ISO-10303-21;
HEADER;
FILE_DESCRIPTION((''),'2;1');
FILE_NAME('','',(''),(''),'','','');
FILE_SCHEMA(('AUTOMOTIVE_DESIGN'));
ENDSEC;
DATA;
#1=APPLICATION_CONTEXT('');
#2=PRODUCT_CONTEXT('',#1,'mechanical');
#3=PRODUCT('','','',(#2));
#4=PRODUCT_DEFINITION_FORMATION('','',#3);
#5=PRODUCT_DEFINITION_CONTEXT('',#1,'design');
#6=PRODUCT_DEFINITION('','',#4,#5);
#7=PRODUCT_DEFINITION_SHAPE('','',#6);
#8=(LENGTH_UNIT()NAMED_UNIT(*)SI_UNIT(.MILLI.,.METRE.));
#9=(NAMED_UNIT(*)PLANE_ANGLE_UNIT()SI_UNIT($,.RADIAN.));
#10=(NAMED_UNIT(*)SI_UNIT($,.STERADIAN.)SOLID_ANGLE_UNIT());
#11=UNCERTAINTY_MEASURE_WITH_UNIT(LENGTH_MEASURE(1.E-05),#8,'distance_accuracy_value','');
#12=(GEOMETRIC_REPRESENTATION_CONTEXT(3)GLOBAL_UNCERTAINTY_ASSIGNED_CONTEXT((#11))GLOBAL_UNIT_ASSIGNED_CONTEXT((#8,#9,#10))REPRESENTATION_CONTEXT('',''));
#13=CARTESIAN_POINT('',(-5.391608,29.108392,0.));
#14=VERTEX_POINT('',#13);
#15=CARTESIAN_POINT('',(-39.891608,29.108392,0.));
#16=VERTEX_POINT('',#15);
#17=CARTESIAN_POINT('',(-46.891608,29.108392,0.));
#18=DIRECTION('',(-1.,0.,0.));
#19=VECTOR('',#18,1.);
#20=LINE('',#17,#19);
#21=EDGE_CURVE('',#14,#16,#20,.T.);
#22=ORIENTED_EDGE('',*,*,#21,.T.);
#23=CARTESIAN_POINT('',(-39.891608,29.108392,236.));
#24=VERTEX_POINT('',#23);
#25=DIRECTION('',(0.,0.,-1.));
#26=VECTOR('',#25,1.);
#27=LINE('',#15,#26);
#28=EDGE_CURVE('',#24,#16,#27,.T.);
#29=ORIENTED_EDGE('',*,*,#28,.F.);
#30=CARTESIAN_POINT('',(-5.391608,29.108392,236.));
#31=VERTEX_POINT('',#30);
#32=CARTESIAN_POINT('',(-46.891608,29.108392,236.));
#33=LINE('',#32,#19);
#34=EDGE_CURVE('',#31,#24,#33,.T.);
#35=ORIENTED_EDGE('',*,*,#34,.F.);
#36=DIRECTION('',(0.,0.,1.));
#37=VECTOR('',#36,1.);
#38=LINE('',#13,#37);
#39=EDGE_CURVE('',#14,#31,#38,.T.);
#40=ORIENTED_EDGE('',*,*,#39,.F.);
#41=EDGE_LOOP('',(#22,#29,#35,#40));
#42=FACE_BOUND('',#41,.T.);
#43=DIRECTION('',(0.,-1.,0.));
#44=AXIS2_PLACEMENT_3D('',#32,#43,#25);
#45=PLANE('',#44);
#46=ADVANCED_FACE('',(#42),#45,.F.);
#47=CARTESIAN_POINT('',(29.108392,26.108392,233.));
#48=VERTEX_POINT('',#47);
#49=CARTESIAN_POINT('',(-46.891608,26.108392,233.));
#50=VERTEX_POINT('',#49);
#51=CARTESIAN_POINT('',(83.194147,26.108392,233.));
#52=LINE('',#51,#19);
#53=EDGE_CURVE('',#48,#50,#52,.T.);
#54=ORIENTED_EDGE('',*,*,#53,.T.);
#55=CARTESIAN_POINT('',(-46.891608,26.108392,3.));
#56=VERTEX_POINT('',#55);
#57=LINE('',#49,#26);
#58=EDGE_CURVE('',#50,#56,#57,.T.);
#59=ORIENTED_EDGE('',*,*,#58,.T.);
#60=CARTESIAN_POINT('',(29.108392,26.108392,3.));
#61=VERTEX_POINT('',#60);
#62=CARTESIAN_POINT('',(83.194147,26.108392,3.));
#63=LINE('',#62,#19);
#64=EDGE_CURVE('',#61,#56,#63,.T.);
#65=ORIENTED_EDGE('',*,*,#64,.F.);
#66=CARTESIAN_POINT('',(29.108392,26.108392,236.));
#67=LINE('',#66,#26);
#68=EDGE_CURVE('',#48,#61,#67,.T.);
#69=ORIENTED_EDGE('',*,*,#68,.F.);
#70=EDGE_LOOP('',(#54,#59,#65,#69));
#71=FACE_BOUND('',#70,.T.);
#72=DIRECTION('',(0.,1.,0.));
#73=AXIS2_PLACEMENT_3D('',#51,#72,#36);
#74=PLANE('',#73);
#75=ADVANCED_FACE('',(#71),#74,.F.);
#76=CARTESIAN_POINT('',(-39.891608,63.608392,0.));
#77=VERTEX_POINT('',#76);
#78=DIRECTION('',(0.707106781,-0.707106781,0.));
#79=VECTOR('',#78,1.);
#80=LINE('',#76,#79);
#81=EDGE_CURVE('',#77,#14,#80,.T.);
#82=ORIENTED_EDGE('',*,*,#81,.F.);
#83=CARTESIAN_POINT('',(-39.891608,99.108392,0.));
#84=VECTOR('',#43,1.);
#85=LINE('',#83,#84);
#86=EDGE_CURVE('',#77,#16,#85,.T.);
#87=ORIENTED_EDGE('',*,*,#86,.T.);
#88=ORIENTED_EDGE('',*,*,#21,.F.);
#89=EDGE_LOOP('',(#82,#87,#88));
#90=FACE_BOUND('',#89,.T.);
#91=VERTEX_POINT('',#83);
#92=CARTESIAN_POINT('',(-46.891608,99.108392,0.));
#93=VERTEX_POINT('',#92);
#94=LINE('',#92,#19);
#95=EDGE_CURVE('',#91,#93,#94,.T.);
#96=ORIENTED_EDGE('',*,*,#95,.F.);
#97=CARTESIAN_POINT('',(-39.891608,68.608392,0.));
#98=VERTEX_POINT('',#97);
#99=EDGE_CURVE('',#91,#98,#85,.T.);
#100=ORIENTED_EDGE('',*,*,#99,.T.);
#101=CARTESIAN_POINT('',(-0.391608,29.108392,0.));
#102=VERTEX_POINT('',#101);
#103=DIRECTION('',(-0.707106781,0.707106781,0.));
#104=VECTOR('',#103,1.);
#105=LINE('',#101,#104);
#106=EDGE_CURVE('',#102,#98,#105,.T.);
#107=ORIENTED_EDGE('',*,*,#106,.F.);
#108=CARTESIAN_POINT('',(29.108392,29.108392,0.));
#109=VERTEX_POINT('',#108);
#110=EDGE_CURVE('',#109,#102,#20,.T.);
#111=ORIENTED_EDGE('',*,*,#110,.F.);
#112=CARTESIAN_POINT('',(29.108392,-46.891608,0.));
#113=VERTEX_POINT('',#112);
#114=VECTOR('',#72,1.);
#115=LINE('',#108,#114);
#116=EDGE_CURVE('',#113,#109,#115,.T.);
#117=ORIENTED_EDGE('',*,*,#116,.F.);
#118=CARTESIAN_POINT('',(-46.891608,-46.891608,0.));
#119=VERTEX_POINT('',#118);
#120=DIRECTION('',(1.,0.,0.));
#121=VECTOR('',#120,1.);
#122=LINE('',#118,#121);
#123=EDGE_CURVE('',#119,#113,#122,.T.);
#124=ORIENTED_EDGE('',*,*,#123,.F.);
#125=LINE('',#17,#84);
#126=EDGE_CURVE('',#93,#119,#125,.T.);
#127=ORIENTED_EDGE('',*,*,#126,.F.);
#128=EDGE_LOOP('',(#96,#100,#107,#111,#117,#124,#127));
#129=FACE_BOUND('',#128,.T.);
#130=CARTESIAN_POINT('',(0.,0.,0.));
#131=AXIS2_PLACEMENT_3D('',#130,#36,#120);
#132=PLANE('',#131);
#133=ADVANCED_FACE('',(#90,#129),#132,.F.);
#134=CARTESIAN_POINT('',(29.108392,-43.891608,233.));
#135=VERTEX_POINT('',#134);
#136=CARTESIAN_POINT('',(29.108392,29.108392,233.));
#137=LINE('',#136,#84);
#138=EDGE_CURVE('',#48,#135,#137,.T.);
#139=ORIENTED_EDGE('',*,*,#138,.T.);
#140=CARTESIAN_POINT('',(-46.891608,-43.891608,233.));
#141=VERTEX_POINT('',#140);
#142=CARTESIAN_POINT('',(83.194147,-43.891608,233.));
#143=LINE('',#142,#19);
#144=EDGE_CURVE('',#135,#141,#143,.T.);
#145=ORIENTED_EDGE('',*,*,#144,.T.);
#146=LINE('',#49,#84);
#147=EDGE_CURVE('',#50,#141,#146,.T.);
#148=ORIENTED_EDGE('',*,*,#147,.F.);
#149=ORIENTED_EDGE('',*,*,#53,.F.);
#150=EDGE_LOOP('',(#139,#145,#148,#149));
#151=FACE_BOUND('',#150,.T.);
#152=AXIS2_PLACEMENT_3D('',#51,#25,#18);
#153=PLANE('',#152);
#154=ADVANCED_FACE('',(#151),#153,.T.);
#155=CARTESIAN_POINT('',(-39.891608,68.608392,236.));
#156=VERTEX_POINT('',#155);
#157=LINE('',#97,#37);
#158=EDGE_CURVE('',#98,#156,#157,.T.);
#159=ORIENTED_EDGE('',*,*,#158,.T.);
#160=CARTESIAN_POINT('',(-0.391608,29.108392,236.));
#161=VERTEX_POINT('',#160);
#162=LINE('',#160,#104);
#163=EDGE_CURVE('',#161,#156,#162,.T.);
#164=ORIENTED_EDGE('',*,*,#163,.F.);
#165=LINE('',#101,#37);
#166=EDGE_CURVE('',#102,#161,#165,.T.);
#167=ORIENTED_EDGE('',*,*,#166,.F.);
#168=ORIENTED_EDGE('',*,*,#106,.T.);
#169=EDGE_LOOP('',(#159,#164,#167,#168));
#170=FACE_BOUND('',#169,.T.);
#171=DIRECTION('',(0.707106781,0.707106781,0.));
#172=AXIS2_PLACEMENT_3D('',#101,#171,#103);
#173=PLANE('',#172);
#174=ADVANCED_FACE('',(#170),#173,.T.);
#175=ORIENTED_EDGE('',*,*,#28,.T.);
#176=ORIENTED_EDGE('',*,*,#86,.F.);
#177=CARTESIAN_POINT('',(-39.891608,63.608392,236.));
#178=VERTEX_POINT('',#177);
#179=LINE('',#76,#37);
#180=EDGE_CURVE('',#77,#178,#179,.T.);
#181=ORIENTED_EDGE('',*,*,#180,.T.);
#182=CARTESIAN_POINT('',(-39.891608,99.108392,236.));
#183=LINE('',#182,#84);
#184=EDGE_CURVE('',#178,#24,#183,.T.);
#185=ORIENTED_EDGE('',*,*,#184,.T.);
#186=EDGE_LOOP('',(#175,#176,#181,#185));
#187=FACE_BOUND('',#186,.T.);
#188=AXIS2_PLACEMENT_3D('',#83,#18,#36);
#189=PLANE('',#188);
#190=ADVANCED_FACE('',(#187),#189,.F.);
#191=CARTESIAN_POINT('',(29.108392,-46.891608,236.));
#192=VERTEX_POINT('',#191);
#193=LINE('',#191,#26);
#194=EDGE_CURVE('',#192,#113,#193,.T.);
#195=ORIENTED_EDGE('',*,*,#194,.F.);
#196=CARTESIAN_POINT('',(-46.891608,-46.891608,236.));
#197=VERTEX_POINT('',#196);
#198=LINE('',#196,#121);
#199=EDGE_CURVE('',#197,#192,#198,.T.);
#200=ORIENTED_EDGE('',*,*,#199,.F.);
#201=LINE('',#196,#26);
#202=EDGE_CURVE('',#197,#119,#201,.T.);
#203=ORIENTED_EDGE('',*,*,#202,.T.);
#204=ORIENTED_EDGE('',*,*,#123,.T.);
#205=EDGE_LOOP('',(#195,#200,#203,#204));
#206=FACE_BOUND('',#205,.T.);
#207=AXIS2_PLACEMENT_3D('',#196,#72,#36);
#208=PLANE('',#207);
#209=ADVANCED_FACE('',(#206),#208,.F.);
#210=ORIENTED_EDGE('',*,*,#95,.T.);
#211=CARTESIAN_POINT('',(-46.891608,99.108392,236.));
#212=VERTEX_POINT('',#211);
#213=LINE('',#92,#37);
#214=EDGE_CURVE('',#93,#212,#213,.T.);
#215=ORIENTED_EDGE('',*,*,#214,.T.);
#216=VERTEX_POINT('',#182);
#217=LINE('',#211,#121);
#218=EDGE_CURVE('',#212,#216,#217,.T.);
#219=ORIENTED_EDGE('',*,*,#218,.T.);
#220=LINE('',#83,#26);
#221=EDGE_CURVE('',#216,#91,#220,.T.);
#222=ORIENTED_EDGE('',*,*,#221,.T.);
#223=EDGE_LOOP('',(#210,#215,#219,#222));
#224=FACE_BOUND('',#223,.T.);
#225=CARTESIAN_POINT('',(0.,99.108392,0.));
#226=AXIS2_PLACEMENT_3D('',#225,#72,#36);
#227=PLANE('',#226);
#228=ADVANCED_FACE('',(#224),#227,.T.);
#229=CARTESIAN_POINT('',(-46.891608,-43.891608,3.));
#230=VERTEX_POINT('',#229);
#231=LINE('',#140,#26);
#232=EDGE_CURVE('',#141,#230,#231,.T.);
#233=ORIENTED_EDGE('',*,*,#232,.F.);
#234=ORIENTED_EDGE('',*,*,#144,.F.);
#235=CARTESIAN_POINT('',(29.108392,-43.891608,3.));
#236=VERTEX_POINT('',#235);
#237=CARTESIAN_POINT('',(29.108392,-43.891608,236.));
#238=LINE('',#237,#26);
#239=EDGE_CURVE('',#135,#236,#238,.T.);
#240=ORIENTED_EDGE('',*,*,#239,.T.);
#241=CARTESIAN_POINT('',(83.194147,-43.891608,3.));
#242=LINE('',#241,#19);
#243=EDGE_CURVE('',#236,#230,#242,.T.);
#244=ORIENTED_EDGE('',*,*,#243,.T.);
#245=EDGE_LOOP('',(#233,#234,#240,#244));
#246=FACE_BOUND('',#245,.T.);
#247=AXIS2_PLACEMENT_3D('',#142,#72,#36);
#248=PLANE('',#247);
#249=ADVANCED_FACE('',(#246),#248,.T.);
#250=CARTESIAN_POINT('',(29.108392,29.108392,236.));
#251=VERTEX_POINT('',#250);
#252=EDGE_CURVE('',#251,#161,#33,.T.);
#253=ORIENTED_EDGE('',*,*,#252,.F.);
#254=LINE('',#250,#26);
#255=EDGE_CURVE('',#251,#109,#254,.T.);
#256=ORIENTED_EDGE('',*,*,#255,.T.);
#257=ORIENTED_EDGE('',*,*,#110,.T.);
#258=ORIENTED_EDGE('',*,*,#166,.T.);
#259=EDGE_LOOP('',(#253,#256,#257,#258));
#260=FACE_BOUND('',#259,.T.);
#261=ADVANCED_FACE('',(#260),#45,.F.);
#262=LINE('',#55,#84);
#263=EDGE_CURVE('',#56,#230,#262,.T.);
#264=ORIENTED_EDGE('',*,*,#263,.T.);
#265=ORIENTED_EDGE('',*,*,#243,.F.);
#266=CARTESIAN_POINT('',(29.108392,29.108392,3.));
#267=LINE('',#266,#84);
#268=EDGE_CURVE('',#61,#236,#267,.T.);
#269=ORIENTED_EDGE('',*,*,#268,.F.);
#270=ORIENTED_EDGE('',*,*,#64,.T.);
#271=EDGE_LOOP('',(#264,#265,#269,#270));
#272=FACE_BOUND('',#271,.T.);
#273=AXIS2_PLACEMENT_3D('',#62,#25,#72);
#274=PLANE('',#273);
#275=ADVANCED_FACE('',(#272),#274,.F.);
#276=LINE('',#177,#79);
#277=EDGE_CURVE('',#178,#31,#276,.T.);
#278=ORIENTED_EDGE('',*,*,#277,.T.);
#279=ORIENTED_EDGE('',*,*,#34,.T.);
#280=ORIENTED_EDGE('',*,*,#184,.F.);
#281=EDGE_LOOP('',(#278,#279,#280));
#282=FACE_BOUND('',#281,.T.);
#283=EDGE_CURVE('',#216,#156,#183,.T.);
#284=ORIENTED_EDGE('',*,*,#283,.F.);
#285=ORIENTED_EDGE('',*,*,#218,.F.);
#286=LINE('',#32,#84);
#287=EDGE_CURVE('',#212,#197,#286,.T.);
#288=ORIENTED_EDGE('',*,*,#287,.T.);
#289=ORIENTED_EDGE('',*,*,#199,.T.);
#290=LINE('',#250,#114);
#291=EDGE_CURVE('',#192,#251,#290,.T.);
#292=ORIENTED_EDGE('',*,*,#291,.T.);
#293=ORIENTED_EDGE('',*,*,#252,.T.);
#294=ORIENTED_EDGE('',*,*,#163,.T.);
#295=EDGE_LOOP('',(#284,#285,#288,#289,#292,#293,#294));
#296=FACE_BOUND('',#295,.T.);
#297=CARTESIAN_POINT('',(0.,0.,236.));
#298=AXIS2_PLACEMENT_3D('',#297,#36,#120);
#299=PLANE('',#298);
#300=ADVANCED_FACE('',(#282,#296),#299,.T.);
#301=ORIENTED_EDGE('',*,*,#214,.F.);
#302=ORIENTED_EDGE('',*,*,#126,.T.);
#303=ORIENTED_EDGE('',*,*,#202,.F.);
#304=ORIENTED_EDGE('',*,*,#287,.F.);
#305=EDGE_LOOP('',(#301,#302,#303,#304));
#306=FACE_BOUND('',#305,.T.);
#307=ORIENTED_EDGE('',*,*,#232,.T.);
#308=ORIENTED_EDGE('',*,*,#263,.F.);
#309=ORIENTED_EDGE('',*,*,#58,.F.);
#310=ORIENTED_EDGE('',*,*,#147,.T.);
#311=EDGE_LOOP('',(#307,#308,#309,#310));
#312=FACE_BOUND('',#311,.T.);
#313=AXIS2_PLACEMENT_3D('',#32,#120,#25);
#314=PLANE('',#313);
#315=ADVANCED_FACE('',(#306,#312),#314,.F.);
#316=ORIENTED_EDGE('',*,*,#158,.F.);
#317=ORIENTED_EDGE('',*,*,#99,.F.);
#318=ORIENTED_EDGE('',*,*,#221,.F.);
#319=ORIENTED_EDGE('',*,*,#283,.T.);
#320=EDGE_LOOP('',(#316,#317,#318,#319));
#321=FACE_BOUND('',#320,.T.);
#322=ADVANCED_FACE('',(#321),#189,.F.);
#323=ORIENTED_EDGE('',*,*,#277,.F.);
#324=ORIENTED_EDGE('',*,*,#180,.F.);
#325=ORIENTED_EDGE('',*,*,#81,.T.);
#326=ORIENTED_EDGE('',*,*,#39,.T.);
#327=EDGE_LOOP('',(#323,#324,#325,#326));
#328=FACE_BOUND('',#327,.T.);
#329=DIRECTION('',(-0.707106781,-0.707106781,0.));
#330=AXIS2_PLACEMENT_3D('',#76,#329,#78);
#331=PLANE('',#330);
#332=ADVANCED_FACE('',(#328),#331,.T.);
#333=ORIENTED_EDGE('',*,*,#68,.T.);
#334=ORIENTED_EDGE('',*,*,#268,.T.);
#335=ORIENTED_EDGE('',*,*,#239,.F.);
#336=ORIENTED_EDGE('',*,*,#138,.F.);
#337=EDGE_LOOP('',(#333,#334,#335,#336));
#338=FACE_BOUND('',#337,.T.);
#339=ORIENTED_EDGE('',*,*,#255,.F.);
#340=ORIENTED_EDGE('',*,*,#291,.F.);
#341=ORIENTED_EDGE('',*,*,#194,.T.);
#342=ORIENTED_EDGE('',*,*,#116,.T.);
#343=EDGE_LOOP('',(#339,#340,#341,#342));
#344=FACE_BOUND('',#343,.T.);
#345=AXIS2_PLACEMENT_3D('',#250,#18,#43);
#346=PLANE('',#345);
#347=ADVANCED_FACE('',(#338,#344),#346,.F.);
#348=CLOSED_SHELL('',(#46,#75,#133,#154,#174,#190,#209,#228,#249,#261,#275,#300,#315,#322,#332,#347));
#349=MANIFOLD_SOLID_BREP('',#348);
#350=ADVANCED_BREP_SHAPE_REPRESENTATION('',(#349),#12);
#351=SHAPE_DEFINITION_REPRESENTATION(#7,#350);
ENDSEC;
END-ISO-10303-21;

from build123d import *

# Parameters (mm, degrees)
SKETCH_1_W          = 76
SKETCH_1_H          = 76
EXTRUDE_1_DEPTH     = 236
SKETCH_3_W          = 230
SKETCH_3_H          = 70
CUT_EXTRUDE_1_DEPTH = 130.085755737
SKETCH_4_W          = 7
SKETCH_4_H          = 236
EXTRUDE_2_DEPTH     = 70
EXTRUDE_5_DEPTH     = 236


with BuildPart() as part:
    # 草圖1 → 填料-伸長1 (new body)
    with BuildSketch(Plane.XY):
        with Locations((-8.891608392, -8.891608392)):
            Rectangle(SKETCH_1_W, SKETCH_1_H)
    extrude(amount=EXTRUDE_1_DEPTH)

    # 草圖3 → 除料-伸長1 (cut)
    with BuildSketch(Plane.ZY.offset(46.891608392)):
        with Locations((118, -8.891608392)):
            Rectangle(SKETCH_3_W, SKETCH_3_H)
    extrude(amount=-CUT_EXTRUDE_1_DEPTH, mode=Mode.SUBTRACT)

    # 草圖4 → 填料-伸長2 (add)
    with BuildSketch(Plane(origin=(0, 29.108391608, 0), x_dir=(1, 0, 0), z_dir=(0, 1, 0))):
        with Locations((-43.391608392, -118)):
            Rectangle(SKETCH_4_W, SKETCH_4_H)
    extrude(amount=EXTRUDE_2_DEPTH)

    # 草圖5 → 填料-伸長5 (add)
    with BuildSketch(Plane.XY.offset(236)):
        Polygon((-39.891608392, 63.608391608), (-5.391608392, 29.108391608), (-0.391608392, 29.108391608), (-39.891608392, 68.608391608), align=None)
    extrude(amount=-EXTRUDE_5_DEPTH)


solid = part.part
